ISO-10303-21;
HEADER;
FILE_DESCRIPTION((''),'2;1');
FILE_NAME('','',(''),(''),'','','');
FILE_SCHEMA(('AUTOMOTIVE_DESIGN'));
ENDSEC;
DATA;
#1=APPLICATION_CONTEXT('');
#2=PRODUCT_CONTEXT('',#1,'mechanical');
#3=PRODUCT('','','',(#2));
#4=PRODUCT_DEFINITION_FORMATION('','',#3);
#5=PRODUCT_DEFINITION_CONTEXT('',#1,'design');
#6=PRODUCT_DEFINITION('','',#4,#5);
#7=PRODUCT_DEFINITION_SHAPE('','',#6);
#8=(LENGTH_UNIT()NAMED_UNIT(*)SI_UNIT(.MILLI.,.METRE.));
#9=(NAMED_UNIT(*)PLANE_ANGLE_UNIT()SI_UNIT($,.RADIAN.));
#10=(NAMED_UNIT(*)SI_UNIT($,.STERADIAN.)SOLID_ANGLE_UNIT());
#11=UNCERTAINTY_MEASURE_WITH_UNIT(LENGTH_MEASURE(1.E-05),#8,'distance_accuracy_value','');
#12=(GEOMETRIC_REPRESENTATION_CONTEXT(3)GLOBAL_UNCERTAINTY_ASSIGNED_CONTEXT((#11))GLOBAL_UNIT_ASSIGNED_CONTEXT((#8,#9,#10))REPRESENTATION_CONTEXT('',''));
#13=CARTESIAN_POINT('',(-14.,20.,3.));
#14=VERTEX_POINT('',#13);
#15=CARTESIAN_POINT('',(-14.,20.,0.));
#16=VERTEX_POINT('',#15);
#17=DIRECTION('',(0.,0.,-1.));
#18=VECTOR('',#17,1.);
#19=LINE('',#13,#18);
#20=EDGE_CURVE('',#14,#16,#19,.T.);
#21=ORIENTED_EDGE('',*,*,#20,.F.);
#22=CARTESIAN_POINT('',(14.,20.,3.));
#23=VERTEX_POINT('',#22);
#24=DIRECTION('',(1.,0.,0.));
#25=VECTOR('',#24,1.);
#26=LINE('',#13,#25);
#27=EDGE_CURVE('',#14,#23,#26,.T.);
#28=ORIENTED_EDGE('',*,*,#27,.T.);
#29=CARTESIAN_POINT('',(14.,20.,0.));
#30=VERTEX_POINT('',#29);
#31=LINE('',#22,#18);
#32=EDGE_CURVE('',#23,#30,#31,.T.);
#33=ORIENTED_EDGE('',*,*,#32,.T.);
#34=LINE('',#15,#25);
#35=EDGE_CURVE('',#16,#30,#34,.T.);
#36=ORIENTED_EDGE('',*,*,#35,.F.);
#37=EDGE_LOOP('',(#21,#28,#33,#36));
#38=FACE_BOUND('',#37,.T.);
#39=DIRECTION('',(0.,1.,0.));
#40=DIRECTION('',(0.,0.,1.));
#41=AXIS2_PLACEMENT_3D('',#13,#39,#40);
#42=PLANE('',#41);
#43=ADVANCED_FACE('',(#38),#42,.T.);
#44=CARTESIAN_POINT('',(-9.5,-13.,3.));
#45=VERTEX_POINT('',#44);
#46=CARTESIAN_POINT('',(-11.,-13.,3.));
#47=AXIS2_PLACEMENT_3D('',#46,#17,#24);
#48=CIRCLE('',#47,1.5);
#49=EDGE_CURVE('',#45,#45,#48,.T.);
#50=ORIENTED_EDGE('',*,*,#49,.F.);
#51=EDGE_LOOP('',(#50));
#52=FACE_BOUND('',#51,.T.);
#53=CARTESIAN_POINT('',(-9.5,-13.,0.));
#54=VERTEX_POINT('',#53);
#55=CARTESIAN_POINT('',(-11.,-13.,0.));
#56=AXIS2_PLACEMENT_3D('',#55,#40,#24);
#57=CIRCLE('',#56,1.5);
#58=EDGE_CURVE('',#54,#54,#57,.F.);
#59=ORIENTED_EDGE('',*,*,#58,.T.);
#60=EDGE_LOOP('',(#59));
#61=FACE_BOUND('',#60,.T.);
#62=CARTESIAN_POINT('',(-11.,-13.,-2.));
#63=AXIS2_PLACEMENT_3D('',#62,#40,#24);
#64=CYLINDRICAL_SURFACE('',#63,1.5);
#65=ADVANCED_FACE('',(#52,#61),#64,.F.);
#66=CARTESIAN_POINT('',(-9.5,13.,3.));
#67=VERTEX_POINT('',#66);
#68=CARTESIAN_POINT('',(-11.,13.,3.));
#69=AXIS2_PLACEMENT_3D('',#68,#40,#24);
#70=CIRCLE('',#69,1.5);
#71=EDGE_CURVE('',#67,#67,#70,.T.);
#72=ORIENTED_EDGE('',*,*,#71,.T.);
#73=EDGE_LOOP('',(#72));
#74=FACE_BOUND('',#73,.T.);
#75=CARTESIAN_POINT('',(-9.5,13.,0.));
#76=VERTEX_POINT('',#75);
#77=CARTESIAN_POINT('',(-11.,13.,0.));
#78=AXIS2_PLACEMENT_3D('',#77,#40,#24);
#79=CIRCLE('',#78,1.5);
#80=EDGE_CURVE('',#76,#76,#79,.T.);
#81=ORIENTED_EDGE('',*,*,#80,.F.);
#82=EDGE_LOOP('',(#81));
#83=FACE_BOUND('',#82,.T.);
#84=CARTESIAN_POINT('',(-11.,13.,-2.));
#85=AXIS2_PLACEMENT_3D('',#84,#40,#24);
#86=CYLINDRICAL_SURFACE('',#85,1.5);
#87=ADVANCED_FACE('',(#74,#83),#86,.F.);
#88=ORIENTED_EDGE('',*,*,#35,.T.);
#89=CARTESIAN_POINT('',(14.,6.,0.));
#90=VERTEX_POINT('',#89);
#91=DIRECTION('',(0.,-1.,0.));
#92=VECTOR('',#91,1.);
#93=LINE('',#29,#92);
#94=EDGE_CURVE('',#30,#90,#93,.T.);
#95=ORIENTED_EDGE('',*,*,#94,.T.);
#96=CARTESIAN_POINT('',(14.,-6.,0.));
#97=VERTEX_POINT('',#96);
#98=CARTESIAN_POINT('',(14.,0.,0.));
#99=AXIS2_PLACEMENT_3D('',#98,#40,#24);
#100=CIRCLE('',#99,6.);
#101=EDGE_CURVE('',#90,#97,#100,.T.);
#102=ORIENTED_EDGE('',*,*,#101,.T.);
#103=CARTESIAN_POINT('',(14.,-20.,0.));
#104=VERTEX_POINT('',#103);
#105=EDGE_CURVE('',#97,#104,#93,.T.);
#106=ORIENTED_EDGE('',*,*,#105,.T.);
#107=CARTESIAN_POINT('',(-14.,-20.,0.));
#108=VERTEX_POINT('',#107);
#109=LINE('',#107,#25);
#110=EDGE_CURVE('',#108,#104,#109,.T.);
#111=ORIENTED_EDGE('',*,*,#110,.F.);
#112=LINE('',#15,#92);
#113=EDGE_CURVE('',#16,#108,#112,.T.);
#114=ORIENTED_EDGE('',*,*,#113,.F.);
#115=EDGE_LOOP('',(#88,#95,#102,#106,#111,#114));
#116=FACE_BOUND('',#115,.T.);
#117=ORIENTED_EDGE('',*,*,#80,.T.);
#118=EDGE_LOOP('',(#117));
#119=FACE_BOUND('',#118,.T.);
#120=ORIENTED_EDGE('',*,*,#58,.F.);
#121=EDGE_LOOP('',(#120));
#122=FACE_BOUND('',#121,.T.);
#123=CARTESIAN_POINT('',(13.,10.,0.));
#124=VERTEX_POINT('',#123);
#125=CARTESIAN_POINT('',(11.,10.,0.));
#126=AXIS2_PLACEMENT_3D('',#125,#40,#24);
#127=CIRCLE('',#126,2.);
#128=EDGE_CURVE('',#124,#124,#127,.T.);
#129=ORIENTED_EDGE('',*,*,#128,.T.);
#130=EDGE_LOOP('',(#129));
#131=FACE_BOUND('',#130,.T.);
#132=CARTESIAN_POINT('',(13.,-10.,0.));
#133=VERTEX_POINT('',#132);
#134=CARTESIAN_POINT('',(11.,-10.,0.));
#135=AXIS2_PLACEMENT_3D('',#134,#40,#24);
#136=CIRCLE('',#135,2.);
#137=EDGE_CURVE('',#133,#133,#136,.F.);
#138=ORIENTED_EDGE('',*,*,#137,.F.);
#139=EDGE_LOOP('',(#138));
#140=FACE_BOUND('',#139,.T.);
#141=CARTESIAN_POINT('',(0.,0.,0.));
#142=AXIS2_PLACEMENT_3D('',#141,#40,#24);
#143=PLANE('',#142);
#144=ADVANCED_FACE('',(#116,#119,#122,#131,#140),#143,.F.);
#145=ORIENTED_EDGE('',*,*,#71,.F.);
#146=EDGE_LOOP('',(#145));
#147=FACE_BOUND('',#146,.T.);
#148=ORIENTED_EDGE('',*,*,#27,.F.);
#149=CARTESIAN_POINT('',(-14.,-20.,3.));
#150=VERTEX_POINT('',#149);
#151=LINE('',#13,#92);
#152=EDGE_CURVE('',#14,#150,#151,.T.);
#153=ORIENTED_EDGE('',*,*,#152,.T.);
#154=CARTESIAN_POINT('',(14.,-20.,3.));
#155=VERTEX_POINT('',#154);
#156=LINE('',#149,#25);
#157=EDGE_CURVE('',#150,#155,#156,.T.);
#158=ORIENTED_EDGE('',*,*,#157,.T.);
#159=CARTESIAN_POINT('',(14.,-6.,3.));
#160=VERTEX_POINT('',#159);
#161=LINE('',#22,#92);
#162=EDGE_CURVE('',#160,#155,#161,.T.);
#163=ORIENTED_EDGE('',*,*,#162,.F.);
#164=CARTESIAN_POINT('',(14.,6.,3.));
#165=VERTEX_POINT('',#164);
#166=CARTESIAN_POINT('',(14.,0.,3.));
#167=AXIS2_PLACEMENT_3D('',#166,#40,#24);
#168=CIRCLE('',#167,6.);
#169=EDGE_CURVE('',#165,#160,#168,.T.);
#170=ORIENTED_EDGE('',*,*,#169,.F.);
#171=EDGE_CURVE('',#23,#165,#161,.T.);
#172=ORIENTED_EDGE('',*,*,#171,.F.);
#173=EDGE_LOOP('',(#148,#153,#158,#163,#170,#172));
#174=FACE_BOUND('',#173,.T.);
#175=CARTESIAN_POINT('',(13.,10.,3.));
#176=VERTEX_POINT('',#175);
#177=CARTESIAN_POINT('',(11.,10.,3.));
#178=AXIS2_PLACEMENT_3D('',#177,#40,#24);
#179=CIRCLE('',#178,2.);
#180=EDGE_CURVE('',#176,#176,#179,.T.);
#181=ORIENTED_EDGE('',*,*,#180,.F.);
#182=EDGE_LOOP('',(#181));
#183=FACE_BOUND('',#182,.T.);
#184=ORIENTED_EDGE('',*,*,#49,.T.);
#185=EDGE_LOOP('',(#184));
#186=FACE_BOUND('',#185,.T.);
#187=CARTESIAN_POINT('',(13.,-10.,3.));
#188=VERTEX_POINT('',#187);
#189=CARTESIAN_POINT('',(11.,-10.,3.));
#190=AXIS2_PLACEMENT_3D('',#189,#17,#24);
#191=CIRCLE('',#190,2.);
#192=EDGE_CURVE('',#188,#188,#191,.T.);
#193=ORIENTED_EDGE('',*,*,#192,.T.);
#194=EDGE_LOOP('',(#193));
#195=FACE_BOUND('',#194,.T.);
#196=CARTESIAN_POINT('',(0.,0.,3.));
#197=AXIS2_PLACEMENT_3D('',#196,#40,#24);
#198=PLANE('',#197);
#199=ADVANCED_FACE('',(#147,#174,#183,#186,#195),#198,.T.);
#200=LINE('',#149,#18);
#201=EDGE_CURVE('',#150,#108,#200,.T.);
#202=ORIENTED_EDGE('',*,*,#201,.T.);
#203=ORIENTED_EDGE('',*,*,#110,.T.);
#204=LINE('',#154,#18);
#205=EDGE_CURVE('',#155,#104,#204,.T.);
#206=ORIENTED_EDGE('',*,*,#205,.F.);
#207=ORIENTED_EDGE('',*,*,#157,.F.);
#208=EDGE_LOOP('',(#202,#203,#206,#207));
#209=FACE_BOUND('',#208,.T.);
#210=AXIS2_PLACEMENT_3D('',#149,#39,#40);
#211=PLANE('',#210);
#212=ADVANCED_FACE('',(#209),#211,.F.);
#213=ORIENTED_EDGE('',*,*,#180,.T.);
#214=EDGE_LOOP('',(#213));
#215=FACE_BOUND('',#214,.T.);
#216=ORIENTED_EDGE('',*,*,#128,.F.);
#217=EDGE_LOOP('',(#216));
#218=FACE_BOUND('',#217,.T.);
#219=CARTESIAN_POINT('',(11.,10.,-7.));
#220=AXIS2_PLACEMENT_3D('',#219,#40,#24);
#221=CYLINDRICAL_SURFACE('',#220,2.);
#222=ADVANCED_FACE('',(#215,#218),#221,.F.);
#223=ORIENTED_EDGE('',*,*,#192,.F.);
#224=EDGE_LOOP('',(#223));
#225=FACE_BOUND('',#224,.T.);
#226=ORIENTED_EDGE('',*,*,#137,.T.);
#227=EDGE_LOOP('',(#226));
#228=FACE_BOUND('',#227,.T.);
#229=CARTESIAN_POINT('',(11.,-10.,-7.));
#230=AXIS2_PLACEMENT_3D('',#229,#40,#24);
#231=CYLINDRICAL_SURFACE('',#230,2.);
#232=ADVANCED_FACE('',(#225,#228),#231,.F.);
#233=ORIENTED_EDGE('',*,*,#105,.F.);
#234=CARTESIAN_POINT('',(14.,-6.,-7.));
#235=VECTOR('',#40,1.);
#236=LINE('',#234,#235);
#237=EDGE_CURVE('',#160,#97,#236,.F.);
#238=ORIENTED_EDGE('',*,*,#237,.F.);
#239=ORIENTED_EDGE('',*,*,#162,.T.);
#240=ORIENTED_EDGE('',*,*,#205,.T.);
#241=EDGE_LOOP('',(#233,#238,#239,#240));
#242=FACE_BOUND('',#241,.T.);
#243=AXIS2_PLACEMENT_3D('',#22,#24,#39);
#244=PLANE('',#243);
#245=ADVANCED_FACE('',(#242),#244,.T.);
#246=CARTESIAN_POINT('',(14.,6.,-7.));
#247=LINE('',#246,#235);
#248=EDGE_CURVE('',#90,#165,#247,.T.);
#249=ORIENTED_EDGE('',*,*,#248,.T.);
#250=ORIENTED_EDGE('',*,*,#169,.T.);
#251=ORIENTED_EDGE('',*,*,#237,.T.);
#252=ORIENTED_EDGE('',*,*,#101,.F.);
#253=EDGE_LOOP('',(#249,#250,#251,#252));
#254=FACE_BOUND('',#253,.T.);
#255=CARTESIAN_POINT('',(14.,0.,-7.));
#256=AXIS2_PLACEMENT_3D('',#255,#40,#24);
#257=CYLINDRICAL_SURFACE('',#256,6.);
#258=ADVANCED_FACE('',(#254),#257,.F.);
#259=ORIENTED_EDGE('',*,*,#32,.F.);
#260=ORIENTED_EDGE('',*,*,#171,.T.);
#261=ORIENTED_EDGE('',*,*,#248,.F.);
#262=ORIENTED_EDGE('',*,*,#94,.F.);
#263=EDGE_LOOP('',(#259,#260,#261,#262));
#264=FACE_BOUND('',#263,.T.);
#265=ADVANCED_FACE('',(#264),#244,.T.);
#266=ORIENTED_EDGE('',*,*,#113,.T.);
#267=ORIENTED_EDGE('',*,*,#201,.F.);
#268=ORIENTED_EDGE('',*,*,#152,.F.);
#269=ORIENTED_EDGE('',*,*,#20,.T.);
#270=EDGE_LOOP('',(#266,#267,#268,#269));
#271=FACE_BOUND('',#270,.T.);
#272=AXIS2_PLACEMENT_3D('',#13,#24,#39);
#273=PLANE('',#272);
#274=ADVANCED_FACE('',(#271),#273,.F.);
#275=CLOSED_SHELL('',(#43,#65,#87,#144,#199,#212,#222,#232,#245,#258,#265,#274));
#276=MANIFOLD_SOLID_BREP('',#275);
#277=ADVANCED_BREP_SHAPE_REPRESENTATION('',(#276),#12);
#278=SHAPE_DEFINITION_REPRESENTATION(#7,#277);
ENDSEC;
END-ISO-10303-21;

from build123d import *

# Parameters (mm, degrees)
ESQUISSE1_W             = 28
ESQUISSE1_H             = 40
BOSS_EXTRU_1_DEPTH      = 3
ESQUISSE7_R             = 1.5
ENL_V_MAT_EXTRU_6_DEPTH = 5
ESQUISSE8_R             = 2
ENL_V_MAT_EXTRU_7_DEPTH = 10
ESQUISSE9_R             = 6
ENL_V_MAT_EXTRU_8_DEPTH = 10


with BuildPart() as part:
    # Esquisse1 → Boss.-Extru.1 (new body)
    with BuildSketch(Plane.XY):
        Rectangle(ESQUISSE1_W, ESQUISSE1_H)
    extrude(amount=BOSS_EXTRU_1_DEPTH)

    # Esquisse7 → Enlèv. mat.-Extru.6 (cut)
    with BuildSketch(Plane.XY.offset(3)):
        with Locations((-11, 13)):
            Circle(ESQUISSE7_R)
    enl_v_mat_extru_6 = extrude(amount=-ENL_V_MAT_EXTRU_6_DEPTH, mode=Mode.SUBTRACT)

    # Symétrie2: Enlèv. mat.-Extru.6 across plane
    add(enl_v_mat_extru_6.mirror(Plane.ZX), mode=Mode.SUBTRACT)

    # Esquisse8 → Enlèv. mat.-Extru.7 (cut)
    with BuildSketch(Plane.XY.offset(3)):
        with Locations((11, 10)):
            Circle(ESQUISSE8_R)
    enl_v_mat_extru_7 = extrude(amount=-ENL_V_MAT_EXTRU_7_DEPTH, mode=Mode.SUBTRACT)

    # Symétrie3: Enlèv. mat.-Extru.7 across plane
    add(enl_v_mat_extru_7.mirror(Plane.ZX), mode=Mode.SUBTRACT)

    # Esquisse9 → Enlèv. mat.-Extru.8 (cut)
    with BuildSketch(Plane.XY.offset(3)):
        with Locations((14, 0)):
            Circle(ESQUISSE9_R)
    extrude(amount=-ENL_V_MAT_EXTRU_8_DEPTH, mode=Mode.SUBTRACT)


solid = part.part
